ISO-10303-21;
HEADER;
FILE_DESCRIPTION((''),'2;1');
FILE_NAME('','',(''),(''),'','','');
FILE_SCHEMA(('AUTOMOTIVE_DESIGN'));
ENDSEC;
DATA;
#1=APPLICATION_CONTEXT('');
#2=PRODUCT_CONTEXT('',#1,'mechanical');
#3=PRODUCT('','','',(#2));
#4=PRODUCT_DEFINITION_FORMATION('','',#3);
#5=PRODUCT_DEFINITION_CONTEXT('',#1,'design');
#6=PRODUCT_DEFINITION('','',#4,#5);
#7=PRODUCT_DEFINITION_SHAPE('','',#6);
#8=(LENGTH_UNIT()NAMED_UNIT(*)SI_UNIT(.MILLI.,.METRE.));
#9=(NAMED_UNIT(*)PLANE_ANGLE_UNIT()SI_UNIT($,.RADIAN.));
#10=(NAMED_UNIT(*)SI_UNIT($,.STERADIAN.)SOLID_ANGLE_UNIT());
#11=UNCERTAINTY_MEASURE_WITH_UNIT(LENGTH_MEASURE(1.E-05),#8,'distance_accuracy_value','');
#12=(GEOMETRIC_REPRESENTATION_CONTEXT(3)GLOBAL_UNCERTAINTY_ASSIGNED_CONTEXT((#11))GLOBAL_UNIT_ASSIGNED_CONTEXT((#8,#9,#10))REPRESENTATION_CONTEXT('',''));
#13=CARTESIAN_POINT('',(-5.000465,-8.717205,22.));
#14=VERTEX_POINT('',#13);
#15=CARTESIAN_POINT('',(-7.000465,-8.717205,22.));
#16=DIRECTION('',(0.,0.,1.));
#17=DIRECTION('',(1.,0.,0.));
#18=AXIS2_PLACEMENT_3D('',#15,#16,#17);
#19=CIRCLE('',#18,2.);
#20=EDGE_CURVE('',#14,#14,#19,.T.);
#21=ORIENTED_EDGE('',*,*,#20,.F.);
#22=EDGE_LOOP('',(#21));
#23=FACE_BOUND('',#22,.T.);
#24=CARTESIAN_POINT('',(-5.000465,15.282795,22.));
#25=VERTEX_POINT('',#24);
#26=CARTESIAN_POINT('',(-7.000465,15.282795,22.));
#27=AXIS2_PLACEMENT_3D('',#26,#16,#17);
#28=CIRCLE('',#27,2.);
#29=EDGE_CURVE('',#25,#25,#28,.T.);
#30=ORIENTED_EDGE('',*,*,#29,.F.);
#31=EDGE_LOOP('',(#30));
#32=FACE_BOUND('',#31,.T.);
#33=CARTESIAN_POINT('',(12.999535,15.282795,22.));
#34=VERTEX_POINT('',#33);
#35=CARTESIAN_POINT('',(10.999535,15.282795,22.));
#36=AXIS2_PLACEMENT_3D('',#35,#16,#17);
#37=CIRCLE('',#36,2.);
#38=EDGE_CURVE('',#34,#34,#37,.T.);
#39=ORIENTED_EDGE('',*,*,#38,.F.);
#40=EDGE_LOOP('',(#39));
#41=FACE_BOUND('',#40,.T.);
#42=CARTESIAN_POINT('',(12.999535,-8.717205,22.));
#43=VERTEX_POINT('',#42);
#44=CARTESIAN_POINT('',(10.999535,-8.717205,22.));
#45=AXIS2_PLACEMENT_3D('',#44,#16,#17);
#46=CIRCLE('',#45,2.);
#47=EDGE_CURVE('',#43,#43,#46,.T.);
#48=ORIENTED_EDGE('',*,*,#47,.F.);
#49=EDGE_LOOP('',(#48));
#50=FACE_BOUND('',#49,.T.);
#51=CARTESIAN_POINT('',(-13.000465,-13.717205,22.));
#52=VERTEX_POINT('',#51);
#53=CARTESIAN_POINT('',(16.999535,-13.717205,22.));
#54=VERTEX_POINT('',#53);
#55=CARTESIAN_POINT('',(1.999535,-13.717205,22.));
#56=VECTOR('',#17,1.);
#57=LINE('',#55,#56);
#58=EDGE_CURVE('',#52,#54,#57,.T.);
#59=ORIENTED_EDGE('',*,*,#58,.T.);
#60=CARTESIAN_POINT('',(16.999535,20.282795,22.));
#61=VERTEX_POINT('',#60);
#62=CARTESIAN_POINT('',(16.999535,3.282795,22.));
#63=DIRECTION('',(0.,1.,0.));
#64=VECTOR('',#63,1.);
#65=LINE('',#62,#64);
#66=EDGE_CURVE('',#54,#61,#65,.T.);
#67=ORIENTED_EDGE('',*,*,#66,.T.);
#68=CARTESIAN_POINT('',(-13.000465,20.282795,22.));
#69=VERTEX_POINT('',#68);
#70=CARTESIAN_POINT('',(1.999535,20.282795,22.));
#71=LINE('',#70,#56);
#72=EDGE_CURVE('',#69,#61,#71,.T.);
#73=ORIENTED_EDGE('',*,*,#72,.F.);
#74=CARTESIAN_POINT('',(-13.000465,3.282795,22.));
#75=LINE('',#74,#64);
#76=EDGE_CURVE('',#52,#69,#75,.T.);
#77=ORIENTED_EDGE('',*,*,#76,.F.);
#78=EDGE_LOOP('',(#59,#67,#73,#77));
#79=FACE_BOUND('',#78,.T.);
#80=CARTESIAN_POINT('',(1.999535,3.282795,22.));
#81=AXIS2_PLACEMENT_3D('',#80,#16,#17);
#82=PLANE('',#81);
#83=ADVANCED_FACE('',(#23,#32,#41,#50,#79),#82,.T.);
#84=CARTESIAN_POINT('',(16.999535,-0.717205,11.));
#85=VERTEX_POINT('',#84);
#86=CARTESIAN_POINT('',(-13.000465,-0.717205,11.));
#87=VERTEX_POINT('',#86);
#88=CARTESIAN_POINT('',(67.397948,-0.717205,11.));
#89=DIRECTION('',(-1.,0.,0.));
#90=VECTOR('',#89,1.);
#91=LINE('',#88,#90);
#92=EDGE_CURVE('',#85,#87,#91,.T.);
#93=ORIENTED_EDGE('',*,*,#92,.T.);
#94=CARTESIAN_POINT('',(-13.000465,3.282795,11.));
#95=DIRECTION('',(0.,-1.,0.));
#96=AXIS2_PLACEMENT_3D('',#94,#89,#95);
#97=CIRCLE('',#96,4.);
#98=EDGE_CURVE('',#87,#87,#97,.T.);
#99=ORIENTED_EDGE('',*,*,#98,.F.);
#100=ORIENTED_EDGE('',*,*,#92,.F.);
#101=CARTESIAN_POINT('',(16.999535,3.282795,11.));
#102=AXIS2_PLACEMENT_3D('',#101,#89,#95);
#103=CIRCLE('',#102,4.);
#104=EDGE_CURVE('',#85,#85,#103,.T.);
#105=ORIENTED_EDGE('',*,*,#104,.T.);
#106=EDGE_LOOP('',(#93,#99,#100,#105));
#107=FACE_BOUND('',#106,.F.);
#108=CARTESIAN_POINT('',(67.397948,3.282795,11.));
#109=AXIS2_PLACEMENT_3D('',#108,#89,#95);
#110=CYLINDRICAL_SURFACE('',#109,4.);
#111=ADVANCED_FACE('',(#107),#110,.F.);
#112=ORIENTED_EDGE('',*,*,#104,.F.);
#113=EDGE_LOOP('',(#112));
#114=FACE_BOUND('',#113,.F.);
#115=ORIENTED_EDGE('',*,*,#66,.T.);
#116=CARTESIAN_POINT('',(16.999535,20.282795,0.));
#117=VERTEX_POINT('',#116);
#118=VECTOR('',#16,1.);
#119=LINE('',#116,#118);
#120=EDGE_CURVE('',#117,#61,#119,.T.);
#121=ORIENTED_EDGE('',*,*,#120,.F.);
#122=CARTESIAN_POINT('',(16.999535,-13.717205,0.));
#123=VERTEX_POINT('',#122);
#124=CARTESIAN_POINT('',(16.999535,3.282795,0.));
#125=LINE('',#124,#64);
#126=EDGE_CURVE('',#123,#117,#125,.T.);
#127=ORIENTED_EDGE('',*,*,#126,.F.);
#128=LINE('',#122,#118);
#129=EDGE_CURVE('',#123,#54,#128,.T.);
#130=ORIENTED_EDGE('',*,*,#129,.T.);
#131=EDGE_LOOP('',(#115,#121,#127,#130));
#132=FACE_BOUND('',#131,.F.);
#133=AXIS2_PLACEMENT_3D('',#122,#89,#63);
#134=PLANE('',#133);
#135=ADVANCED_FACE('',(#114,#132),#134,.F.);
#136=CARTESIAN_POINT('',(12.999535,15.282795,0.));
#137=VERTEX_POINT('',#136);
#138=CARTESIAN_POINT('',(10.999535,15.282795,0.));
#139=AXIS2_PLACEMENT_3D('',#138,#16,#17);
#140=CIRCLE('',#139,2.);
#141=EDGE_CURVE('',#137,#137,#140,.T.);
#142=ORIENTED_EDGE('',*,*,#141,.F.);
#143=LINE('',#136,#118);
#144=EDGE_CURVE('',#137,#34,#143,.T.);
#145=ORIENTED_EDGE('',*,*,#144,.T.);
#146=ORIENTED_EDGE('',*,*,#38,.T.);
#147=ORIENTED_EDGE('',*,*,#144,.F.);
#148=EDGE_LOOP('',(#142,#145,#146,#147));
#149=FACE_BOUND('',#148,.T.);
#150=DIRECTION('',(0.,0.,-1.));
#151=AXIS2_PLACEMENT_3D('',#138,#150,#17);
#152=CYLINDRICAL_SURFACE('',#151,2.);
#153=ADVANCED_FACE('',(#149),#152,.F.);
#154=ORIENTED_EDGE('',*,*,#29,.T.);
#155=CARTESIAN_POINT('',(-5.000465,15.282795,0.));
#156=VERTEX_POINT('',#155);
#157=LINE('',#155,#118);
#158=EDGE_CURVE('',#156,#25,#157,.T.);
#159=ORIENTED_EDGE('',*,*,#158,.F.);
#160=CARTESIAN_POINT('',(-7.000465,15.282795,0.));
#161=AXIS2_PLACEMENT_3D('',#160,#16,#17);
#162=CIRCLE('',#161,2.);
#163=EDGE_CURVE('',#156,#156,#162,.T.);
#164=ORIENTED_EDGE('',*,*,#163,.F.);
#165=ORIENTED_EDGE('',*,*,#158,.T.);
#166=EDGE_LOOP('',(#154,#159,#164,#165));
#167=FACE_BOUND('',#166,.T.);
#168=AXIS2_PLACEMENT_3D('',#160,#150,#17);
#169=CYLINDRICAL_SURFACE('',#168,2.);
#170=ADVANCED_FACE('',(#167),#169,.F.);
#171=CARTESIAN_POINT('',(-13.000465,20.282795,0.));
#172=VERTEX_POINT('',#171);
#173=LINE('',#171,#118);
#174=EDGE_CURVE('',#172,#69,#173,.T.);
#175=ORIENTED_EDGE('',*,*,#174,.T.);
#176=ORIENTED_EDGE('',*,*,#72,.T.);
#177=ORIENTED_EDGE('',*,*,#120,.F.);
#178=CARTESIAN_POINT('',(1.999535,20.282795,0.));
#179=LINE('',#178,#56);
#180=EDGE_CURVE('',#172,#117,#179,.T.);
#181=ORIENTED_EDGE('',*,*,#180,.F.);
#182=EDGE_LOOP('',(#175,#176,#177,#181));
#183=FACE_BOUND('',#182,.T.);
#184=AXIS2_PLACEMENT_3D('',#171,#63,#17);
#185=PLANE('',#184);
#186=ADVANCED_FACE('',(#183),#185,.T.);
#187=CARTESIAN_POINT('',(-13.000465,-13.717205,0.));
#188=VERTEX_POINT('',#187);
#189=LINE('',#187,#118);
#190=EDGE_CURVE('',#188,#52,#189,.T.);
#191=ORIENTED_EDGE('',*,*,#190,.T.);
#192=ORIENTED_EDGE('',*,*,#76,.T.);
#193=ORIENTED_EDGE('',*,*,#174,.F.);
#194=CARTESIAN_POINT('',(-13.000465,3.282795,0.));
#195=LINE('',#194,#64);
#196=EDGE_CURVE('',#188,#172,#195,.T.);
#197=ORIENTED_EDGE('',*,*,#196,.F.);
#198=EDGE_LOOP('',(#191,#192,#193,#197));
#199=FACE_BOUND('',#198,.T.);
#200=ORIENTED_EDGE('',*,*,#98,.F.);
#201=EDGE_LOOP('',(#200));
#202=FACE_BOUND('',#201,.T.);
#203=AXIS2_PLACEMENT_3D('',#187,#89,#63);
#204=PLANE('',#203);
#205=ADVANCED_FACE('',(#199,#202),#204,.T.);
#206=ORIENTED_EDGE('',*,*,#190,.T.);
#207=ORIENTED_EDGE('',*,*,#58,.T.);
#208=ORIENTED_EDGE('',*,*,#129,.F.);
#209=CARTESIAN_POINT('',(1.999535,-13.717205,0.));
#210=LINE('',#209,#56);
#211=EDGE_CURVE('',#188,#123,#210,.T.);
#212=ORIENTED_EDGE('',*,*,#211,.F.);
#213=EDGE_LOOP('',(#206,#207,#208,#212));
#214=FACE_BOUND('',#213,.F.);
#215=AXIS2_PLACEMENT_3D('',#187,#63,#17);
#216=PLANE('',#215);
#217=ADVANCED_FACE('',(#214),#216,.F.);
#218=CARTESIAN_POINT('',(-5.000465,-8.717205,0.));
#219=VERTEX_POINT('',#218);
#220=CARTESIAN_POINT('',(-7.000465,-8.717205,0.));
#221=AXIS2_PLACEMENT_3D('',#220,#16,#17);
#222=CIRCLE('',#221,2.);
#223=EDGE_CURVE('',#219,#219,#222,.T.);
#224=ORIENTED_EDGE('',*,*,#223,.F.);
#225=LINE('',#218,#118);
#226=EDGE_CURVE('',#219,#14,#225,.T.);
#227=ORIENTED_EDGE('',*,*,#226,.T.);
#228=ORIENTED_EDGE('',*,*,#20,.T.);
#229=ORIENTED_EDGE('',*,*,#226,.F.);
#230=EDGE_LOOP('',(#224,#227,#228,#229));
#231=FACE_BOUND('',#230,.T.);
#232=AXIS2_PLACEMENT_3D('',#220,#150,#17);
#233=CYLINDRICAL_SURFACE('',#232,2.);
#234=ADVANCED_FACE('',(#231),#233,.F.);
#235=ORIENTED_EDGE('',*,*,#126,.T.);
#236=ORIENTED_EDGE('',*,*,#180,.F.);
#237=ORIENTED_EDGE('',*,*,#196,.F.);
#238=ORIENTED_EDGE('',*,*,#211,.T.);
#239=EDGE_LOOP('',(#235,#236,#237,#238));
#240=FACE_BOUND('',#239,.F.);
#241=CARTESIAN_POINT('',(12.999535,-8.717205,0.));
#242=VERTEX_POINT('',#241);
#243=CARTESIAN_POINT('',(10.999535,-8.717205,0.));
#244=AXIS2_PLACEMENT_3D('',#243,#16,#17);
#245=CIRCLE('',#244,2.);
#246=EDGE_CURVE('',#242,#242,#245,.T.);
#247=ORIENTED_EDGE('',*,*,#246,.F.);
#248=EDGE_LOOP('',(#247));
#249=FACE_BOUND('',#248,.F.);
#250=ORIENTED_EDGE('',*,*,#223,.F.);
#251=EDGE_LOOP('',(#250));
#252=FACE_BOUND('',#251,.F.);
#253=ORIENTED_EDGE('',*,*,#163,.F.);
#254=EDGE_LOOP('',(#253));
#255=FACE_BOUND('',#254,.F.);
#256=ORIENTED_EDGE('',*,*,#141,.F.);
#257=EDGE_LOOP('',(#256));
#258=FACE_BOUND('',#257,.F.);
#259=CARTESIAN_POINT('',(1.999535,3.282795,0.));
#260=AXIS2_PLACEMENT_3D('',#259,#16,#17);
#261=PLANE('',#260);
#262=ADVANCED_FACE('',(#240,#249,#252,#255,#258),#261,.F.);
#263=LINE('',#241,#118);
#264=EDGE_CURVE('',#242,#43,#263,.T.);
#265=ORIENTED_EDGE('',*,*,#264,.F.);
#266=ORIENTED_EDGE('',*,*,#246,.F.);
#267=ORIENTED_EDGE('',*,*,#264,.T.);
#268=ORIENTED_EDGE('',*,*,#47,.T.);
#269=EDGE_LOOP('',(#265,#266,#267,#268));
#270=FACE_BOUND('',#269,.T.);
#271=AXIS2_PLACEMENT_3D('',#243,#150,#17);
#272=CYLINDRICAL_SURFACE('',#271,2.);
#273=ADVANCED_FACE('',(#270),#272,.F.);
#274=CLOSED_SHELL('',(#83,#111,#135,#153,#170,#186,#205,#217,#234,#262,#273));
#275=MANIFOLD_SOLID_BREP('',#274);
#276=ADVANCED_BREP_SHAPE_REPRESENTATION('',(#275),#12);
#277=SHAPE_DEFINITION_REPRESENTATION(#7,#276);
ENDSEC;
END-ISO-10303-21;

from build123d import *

# Parameters (mm, degrees)
F0_W     = 30
F0_H     = 34
F0_R     = 3.3
F0_R_2   = 2
F1_DEPTH = 22
F4_D     = 8


with BuildPart() as f1:
    # F0 (on Top) → F1 (new body)
    with BuildSketch(Plane.XY):
        with Locations((1.9995351322, 3.2827953717)):
            Rectangle(F0_W, F0_H)
        with Locations((-7.0004648678, -8.7172046283)):
            Circle(F0_R, mode=Mode.SUBTRACT)
        with Locations((10.9995351322, -8.7172046283)):
            Circle(F0_R, mode=Mode.SUBTRACT)
        with Locations((-7.0004648678, 15.2827953717)):
            Circle(F0_R, mode=Mode.SUBTRACT)
        with Locations((10.9995351322, 15.2827953717)):
            Circle(F0_R, mode=Mode.SUBTRACT)
        with Locations((-7.0004648678, -8.7172046283)):
            Circle(F0_R)
        with Locations((-7.0004648678, -8.7172046283)):
            Circle(F0_R_2, mode=Mode.SUBTRACT)
        with Locations((-7.0004648678, 15.2827953717)):
            Circle(F0_R)
        with Locations((-7.0004648678, 15.2827953717)):
            Circle(F0_R_2, mode=Mode.SUBTRACT)
        with Locations((10.9995351322, 15.2827953717)):
            Circle(F0_R)
        with Locations((10.9995351322, 15.2827953717)):
            Circle(F0_R_2, mode=Mode.SUBTRACT)
        with Locations((10.9995351322, -8.7172046283)):
            Circle(F0_R)
        with Locations((10.9995351322, -8.7172046283)):
            Circle(F0_R_2, mode=Mode.SUBTRACT)
    extrude(amount=F1_DEPTH)

    # F4 (through all)
    with Locations(Plane.YZ.offset(16.9995351322)):
        with Locations((3.2827953717, 11)):
            Hole(F4_D / 2)


solid = f1.part
